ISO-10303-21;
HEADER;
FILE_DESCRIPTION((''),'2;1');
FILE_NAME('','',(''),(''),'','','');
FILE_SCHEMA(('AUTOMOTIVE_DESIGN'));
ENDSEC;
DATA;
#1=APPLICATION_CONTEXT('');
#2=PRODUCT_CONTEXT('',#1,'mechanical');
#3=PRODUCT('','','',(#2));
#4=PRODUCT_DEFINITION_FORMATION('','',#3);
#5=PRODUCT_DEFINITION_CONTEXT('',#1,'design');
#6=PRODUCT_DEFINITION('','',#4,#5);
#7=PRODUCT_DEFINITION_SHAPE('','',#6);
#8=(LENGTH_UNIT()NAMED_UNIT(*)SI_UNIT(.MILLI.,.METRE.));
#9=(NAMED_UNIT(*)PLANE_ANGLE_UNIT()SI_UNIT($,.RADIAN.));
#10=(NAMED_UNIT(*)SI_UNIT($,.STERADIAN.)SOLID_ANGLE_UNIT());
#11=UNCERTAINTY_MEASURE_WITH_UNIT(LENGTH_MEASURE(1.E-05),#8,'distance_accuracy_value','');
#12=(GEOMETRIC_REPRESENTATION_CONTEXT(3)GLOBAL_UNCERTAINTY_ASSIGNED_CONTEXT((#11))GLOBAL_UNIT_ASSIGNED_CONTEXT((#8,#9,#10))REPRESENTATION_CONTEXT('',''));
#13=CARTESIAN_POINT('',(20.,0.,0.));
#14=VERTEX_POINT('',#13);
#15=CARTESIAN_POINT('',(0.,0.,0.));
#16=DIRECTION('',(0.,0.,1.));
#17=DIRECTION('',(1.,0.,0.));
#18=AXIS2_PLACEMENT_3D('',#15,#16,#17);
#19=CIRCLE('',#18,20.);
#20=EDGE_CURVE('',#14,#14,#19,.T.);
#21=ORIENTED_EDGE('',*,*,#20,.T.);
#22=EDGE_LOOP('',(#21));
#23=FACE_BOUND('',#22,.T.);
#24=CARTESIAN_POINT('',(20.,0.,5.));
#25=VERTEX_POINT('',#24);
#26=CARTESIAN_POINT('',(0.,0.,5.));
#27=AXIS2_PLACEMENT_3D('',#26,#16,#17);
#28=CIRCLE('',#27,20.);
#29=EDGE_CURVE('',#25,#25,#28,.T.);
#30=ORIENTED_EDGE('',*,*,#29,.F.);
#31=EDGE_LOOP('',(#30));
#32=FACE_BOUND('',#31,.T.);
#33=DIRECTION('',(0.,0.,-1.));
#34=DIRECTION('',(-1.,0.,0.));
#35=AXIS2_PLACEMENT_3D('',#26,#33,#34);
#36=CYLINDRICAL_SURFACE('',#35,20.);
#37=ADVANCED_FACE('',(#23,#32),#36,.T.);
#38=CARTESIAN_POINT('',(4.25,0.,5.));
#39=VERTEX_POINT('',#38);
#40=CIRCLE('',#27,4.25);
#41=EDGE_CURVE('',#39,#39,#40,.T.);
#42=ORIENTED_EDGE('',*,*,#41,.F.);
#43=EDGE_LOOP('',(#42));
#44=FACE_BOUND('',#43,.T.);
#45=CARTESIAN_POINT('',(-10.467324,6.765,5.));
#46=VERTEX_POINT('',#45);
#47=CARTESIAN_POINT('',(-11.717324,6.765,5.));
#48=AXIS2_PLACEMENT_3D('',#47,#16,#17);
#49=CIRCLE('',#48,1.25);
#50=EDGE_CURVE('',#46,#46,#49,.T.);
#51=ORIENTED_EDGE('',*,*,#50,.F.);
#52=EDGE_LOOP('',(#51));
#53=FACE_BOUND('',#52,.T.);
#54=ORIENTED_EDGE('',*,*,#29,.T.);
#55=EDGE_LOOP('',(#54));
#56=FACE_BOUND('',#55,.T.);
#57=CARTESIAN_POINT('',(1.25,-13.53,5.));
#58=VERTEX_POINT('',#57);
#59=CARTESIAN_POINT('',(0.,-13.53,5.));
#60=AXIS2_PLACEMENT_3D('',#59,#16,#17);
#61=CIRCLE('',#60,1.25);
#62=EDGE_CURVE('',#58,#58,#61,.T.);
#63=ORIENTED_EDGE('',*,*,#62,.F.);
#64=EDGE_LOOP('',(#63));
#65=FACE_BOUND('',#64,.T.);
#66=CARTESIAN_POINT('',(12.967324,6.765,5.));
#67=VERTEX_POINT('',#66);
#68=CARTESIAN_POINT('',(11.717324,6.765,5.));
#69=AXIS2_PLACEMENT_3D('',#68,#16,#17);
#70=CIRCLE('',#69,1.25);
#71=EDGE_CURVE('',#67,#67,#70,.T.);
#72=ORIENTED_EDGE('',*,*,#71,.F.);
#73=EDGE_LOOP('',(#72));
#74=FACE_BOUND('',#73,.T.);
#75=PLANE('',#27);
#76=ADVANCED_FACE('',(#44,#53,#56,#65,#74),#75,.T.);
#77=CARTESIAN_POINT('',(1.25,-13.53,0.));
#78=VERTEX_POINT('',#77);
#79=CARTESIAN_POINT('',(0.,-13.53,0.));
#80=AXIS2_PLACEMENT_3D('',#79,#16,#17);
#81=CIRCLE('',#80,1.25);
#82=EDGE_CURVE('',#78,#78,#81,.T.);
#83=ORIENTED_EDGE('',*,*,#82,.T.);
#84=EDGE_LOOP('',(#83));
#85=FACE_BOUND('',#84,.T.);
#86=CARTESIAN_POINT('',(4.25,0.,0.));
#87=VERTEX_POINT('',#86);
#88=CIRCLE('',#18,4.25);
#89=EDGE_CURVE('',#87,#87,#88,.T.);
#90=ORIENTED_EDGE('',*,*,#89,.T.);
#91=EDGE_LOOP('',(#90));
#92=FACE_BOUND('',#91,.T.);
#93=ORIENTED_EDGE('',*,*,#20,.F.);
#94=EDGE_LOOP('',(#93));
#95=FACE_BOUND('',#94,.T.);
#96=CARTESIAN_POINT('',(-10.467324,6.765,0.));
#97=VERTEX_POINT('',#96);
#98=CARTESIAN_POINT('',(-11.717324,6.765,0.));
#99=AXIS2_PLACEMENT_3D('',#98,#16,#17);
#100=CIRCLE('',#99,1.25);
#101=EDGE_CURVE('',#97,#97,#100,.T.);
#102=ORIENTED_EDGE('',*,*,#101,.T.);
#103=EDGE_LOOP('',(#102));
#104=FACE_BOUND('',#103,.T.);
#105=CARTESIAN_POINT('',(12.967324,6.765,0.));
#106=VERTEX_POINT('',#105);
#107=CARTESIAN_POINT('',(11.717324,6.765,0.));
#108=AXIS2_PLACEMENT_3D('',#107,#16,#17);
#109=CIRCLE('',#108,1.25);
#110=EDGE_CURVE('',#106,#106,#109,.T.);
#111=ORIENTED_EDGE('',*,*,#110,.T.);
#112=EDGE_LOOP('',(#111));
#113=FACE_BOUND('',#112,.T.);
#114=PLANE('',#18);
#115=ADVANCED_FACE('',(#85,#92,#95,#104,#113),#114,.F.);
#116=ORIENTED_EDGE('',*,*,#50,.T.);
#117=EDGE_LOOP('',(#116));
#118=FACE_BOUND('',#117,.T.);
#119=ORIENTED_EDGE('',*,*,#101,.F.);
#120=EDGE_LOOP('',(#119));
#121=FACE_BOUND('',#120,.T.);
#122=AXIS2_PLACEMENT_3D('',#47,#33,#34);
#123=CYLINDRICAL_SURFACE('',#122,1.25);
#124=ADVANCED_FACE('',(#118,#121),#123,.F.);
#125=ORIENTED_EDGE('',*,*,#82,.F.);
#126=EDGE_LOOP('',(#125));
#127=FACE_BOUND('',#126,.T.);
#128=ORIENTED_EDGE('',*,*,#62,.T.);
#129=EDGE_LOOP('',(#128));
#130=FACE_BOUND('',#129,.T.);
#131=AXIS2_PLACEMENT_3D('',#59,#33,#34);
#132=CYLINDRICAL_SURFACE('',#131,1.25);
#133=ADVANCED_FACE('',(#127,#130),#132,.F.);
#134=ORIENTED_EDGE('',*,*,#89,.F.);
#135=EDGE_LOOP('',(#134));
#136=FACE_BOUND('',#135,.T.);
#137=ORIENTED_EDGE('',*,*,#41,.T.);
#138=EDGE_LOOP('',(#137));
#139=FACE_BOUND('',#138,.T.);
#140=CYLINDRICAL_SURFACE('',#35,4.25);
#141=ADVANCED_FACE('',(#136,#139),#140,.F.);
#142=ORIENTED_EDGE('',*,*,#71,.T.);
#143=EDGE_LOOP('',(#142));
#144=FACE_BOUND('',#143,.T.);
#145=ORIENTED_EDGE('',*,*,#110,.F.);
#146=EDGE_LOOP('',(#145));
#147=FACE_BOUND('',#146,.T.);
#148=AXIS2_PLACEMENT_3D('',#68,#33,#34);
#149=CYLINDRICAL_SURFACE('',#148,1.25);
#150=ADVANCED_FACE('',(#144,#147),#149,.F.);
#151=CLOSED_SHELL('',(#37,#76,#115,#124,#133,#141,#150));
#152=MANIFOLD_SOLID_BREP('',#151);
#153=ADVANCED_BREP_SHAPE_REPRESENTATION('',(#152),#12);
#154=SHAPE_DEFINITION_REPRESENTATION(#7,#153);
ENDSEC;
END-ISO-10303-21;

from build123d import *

# Parameters (mm, degrees)
SKETCH_1_R      = 20
SKETCH_1_R_2    = 4.25
SKETCH_1_R_3    = 1.25
EXTRUDE_1_DEPTH = 5


with BuildPart() as part:
    # 草图1 → 凸台-拉伸1 (new body)
    with BuildSketch(Plane.XY):
        Circle(SKETCH_1_R)
        Circle(SKETCH_1_R_2, mode=Mode.SUBTRACT)
        with Locations((0, -13.53)):
            Circle(SKETCH_1_R_3, mode=Mode.SUBTRACT)
        with Locations((-11.717323713, 6.765)):
            Circle(SKETCH_1_R_3, mode=Mode.SUBTRACT)
        with Locations((11.717323713, 6.765)):
            Circle(SKETCH_1_R_3, mode=Mode.SUBTRACT)
    extrude(amount=EXTRUDE_1_DEPTH)


solid = part.part
